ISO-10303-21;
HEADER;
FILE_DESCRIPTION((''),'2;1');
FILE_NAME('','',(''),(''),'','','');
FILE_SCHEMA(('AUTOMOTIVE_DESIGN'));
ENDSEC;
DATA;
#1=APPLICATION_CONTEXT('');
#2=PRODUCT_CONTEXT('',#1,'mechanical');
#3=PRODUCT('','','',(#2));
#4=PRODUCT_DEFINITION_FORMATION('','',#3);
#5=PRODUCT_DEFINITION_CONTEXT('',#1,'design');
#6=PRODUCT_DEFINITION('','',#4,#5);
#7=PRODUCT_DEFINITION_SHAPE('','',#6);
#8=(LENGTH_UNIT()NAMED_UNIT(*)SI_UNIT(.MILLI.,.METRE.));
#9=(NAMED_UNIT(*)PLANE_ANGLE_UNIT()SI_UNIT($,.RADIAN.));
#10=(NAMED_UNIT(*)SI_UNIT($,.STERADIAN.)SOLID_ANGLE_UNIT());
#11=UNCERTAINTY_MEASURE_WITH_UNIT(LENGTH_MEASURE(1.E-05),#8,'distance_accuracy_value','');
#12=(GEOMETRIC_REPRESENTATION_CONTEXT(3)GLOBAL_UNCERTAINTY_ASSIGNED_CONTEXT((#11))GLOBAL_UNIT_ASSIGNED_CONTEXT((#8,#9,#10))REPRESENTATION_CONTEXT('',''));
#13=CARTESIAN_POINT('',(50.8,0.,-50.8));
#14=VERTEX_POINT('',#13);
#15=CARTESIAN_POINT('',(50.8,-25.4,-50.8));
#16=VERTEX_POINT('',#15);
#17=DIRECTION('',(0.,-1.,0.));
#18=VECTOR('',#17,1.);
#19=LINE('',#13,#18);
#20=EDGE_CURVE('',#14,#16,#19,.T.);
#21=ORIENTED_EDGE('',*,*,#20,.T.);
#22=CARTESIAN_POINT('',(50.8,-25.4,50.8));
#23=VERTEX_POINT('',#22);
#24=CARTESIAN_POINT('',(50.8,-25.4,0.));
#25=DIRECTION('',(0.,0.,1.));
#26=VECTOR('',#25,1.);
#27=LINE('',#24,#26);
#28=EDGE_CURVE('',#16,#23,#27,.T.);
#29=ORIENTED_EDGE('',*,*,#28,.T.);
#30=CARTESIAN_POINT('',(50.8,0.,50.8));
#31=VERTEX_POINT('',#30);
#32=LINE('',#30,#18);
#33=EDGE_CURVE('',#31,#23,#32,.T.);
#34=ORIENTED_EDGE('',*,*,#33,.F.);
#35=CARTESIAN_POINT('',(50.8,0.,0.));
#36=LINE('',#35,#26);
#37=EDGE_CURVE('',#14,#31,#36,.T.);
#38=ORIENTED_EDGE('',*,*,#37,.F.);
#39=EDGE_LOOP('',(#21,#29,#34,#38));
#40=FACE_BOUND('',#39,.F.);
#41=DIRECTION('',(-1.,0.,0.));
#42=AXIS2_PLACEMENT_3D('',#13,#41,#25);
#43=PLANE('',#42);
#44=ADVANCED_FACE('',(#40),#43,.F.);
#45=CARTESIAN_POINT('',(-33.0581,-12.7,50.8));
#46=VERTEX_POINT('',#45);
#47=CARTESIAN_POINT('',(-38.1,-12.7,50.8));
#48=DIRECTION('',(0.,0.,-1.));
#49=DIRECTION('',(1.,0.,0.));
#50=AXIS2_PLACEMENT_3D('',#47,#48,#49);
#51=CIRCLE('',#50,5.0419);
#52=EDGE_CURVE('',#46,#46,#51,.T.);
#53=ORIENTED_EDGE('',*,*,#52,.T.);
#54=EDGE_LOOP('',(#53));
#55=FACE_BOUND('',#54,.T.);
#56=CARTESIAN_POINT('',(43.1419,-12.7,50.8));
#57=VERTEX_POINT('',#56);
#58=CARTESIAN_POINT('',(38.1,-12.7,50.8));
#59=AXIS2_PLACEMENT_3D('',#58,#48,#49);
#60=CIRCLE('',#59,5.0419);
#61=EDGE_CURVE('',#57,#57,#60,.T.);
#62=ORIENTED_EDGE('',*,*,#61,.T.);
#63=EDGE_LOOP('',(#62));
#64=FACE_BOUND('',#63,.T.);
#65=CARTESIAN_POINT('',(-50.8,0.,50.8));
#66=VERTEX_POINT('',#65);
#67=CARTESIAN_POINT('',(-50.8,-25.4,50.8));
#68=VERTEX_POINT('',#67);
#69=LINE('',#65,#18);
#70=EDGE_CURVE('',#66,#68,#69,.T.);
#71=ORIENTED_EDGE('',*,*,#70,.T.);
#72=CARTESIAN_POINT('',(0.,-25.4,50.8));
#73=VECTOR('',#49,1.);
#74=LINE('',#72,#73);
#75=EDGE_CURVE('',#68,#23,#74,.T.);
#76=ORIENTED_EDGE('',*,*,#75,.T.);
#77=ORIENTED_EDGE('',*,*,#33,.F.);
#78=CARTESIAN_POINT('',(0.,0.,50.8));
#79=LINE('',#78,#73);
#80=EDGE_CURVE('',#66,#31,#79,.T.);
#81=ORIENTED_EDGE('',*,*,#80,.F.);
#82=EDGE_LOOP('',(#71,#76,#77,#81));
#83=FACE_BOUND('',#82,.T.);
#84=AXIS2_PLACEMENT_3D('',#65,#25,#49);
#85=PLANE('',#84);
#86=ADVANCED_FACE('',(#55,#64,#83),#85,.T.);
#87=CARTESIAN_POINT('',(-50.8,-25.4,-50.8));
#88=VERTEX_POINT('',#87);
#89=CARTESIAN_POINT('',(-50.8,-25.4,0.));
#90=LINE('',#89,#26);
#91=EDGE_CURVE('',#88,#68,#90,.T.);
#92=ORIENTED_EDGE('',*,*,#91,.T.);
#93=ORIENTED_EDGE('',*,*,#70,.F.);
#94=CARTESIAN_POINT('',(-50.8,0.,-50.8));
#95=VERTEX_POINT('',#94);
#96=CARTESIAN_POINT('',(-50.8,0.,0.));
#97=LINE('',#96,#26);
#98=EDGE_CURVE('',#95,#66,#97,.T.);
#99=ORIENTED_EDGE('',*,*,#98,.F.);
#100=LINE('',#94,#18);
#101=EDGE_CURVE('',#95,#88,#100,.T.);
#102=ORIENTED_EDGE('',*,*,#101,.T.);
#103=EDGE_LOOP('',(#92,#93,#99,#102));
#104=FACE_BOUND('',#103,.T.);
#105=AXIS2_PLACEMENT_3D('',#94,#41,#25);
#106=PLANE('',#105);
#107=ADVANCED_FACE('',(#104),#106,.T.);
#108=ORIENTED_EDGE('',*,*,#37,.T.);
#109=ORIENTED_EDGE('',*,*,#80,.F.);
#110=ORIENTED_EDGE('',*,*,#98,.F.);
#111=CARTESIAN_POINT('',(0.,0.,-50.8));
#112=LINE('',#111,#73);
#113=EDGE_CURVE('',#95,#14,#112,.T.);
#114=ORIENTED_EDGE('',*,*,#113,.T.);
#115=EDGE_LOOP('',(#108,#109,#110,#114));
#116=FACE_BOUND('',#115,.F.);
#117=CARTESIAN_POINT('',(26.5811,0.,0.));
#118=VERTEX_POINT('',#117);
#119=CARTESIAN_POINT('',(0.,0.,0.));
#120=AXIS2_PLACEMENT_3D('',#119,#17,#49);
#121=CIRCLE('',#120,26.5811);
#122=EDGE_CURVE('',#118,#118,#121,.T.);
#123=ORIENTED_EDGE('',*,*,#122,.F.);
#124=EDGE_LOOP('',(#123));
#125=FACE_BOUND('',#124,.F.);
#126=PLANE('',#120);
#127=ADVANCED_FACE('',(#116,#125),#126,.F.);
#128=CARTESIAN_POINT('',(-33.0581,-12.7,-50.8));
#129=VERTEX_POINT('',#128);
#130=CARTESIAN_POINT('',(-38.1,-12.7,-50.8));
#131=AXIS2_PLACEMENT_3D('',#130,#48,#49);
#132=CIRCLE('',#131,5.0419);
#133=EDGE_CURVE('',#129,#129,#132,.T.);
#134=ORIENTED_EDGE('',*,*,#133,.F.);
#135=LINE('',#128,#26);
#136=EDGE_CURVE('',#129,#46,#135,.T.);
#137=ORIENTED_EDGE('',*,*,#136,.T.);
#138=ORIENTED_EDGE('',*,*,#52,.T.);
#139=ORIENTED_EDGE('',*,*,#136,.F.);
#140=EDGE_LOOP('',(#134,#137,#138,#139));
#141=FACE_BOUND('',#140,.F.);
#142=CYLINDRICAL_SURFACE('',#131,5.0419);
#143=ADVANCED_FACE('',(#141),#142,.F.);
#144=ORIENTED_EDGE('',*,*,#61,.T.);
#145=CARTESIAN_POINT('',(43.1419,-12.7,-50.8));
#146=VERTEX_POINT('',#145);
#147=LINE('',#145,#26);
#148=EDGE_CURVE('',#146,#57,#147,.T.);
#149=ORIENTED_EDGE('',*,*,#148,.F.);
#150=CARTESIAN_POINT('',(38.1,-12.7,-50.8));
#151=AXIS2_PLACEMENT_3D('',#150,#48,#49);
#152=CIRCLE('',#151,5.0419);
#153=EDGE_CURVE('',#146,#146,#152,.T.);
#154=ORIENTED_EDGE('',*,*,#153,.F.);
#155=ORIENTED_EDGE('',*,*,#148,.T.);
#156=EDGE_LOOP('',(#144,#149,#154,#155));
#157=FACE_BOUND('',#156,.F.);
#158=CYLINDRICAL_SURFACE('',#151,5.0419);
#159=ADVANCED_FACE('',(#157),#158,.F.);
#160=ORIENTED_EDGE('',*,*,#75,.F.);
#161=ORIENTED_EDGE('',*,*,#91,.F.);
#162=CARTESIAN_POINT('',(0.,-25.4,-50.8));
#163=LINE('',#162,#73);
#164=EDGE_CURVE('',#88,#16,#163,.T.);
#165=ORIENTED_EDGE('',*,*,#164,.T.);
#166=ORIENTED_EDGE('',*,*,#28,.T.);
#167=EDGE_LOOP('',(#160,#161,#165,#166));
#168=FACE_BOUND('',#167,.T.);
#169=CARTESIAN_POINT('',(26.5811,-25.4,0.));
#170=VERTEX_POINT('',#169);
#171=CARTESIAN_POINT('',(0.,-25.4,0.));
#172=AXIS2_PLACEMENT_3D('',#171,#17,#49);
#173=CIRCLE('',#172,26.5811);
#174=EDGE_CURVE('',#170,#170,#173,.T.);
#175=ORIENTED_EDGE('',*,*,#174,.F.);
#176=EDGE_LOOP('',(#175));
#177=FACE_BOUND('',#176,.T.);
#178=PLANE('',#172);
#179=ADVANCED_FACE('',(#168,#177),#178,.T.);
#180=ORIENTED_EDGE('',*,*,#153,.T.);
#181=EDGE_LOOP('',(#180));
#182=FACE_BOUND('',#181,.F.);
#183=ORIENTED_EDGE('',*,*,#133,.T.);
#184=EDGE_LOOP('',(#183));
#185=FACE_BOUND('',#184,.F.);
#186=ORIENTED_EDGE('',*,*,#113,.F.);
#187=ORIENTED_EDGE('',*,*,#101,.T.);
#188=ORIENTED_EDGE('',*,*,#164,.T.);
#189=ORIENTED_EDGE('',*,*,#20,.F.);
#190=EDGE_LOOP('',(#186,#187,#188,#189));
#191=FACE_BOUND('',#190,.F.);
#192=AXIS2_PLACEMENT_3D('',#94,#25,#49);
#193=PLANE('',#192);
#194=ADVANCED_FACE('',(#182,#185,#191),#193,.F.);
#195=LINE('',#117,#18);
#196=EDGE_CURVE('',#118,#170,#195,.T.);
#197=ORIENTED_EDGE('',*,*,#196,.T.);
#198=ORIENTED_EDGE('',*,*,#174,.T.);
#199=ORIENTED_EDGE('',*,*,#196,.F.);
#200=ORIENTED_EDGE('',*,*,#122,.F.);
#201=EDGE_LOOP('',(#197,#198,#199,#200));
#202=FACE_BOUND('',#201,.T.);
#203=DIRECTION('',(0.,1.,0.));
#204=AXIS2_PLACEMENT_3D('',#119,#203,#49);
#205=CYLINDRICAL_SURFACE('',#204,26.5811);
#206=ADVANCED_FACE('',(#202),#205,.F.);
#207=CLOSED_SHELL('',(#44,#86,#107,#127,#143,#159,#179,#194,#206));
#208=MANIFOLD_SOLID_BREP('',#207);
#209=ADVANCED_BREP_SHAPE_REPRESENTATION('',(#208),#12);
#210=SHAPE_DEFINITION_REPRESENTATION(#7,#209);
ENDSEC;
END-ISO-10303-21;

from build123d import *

# Parameters (mm, degrees)
F0_W     = 101.6
F0_H     = 101.6
F0_R     = 26.5811
F1_DEPTH = 25.4
F2_R     = 5.0419
F3_DEPTH = 101.601


with BuildPart() as f1:
    # F0 (on Front) → F1 (new body)
    with BuildSketch(Plane.XZ):
        Rectangle(F0_W, F0_H)
        Circle(F0_R, mode=Mode.SUBTRACT)
    extrude(amount=F1_DEPTH)

    # F2 (on face) → F3 (cut, through all)
    with BuildSketch(Plane(origin=(0, 0, -50.8), x_dir=(1, 0, 0), z_dir=(0, 0, -1))):
        with Locations((-38.1, 12.7)):
            Circle(F2_R)
        with Locations((38.1, 12.7)):
            Circle(F2_R)
    extrude(amount=-F3_DEPTH, mode=Mode.SUBTRACT)


solid = f1.part
